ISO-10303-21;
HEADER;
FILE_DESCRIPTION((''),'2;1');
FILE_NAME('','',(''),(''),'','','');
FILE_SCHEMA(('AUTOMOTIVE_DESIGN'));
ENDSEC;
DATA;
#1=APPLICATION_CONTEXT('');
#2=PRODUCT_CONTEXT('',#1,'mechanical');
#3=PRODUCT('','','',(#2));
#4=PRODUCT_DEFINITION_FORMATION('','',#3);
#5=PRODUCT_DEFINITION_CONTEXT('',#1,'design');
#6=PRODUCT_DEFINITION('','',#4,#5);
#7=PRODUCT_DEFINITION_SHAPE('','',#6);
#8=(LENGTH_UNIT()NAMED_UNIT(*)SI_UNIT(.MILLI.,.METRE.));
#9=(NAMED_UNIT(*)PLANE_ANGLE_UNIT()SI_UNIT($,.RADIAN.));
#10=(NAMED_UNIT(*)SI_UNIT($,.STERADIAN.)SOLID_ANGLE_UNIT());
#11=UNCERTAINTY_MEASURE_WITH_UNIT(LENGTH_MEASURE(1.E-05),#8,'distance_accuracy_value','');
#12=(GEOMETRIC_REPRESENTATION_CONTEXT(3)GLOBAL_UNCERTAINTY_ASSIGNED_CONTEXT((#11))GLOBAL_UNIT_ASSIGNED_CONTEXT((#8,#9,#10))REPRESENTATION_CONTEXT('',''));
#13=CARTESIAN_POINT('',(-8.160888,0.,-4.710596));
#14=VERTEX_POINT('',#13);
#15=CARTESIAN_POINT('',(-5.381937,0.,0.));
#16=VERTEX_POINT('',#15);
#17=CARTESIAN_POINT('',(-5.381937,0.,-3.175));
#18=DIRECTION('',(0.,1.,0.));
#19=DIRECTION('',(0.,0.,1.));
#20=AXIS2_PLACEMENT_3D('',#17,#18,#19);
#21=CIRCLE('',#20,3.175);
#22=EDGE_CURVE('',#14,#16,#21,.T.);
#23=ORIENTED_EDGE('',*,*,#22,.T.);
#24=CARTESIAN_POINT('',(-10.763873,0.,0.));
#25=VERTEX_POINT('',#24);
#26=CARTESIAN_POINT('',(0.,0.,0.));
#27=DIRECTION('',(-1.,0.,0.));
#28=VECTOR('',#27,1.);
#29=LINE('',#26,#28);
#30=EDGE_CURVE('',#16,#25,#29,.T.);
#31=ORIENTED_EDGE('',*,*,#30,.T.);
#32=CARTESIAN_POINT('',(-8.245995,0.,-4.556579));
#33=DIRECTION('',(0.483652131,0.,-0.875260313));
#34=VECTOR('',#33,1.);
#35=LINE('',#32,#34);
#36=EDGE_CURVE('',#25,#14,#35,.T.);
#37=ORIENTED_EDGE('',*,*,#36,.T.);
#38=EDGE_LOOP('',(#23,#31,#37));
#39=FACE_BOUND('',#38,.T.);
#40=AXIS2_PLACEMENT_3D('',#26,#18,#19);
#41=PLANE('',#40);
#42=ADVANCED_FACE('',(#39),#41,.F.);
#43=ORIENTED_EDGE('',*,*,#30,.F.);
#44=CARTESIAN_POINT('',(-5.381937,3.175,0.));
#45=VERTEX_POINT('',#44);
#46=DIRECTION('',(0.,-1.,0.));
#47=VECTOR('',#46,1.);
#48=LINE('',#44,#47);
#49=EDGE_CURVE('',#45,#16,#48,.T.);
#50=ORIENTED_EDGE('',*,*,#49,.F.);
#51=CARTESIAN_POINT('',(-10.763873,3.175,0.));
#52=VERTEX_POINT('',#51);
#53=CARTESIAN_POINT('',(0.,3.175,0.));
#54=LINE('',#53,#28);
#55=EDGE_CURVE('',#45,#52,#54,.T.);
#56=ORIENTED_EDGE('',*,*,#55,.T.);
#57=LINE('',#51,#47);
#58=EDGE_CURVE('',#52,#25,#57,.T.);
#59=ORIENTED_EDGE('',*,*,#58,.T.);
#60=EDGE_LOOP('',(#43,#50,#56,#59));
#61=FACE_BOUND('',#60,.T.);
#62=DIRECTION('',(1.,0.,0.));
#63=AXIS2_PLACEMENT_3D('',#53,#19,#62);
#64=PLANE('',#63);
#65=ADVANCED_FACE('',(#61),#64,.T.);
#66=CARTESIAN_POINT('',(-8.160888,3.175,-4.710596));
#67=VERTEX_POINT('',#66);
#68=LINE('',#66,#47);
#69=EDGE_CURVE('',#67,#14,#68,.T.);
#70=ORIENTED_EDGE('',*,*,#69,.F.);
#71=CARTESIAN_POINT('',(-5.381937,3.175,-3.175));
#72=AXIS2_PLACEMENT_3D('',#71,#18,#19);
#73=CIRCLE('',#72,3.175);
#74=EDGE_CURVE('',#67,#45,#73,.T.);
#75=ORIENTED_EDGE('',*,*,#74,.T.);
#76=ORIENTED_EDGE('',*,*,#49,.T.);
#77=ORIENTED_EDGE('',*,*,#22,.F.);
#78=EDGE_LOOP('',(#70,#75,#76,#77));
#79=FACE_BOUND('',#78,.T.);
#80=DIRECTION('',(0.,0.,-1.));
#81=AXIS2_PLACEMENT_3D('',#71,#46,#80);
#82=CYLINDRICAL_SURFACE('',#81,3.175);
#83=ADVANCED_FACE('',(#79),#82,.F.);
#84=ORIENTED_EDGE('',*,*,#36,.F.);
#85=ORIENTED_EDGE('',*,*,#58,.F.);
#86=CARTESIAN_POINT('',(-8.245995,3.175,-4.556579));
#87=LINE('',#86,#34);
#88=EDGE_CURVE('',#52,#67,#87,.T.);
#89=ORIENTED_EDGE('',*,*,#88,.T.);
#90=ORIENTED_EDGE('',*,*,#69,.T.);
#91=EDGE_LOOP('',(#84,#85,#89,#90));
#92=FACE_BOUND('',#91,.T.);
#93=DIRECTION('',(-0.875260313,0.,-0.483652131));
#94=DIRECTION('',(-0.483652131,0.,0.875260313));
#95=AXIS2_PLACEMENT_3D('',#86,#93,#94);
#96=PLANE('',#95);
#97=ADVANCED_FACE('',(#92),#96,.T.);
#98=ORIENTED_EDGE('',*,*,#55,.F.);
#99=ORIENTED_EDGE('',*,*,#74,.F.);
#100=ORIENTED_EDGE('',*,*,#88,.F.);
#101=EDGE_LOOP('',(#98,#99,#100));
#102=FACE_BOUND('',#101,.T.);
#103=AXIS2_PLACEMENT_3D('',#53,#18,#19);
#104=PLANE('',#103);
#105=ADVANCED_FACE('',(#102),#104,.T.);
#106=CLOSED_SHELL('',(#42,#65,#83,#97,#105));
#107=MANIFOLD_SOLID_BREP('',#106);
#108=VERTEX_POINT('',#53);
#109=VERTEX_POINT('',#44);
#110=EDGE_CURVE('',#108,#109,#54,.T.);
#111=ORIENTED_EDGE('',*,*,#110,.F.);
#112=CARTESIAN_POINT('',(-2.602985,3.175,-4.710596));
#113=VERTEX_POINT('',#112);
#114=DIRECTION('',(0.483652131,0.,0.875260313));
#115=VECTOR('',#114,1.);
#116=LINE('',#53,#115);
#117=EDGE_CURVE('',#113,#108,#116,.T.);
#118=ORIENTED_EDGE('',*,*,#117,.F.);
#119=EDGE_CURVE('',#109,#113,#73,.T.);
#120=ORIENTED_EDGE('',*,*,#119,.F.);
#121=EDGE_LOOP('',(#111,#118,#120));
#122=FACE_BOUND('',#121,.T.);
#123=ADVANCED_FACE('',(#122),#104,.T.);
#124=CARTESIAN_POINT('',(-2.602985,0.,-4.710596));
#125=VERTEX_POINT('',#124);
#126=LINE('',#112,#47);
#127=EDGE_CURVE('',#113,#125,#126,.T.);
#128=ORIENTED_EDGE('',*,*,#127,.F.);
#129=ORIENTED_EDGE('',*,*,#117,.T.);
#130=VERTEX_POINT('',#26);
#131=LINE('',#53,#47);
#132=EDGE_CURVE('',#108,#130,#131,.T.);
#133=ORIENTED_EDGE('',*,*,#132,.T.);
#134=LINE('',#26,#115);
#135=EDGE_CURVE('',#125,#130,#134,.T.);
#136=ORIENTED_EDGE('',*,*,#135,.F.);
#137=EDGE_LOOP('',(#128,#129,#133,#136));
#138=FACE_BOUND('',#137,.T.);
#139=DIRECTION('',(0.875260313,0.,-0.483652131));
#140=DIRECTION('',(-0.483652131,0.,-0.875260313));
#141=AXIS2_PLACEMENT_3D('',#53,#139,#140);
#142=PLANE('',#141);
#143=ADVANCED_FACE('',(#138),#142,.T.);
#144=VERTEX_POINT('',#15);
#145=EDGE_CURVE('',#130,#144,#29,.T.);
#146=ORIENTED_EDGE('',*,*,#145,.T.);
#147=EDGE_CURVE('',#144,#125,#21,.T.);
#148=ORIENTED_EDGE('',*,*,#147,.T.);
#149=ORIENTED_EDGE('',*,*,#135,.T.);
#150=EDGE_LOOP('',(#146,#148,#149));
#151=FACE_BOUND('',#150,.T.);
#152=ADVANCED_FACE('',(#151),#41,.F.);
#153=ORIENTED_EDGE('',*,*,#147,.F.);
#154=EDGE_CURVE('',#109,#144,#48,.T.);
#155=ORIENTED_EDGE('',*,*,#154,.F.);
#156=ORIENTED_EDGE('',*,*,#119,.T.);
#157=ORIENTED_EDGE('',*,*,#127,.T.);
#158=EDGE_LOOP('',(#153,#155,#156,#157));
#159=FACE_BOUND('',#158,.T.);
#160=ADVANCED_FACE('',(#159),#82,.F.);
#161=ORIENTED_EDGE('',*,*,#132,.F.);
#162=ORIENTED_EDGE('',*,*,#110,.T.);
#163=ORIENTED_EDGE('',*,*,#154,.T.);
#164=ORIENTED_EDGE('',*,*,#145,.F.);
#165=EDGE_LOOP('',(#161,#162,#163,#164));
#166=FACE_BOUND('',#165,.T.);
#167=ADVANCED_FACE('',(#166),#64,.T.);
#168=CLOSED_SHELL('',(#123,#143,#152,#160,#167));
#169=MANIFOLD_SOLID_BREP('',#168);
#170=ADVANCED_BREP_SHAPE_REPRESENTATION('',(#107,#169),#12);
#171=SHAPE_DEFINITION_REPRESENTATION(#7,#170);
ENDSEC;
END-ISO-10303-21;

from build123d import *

# Parameters (mm, degrees)
BOSS_EXTRUDE1_DEPTH   = 3.175
BOSS_EXTRUDE1_2_DEPTH = 3.175


with BuildPart() as part:
    # Sketch1 → Boss-Extrude1 (new body)
    with BuildSketch(Plane(origin=(0, 0, 0), x_dir=(1, 0, 0), z_dir=(0, 1, 0))):
        with BuildLine():
            Line((-10.763873207, 0), (-5.381936603, 0))
            ThreePointArc((-5.381936603, 0), (-8.116542678, 1.561756492), (-8.160888098, 4.710595517))
            Line((-8.160888098, 4.710595517), (-10.763873207, 0))
        make_face()
    extrude(amount=BOSS_EXTRUDE1_DEPTH)


with BuildPart() as body_2:
    # Sketch1 → Boss-Extrude1 2 (new body)
    with BuildSketch(Plane(origin=(0, 0, 0), x_dir=(1, 0, 0), z_dir=(0, 1, 0))):
        with BuildLine():
            Line((-5.381936603, 0), (0, 0))
            Line((0, 0), (-2.602985109, 4.710595517))
            ThreePointArc((-2.602985109, 4.710595517), (-2.647330529, 1.561756492), (-5.381936603, 0))
        make_face()
    extrude(amount=BOSS_EXTRUDE1_2_DEPTH)


solid = Compound([part.part, body_2.part])
